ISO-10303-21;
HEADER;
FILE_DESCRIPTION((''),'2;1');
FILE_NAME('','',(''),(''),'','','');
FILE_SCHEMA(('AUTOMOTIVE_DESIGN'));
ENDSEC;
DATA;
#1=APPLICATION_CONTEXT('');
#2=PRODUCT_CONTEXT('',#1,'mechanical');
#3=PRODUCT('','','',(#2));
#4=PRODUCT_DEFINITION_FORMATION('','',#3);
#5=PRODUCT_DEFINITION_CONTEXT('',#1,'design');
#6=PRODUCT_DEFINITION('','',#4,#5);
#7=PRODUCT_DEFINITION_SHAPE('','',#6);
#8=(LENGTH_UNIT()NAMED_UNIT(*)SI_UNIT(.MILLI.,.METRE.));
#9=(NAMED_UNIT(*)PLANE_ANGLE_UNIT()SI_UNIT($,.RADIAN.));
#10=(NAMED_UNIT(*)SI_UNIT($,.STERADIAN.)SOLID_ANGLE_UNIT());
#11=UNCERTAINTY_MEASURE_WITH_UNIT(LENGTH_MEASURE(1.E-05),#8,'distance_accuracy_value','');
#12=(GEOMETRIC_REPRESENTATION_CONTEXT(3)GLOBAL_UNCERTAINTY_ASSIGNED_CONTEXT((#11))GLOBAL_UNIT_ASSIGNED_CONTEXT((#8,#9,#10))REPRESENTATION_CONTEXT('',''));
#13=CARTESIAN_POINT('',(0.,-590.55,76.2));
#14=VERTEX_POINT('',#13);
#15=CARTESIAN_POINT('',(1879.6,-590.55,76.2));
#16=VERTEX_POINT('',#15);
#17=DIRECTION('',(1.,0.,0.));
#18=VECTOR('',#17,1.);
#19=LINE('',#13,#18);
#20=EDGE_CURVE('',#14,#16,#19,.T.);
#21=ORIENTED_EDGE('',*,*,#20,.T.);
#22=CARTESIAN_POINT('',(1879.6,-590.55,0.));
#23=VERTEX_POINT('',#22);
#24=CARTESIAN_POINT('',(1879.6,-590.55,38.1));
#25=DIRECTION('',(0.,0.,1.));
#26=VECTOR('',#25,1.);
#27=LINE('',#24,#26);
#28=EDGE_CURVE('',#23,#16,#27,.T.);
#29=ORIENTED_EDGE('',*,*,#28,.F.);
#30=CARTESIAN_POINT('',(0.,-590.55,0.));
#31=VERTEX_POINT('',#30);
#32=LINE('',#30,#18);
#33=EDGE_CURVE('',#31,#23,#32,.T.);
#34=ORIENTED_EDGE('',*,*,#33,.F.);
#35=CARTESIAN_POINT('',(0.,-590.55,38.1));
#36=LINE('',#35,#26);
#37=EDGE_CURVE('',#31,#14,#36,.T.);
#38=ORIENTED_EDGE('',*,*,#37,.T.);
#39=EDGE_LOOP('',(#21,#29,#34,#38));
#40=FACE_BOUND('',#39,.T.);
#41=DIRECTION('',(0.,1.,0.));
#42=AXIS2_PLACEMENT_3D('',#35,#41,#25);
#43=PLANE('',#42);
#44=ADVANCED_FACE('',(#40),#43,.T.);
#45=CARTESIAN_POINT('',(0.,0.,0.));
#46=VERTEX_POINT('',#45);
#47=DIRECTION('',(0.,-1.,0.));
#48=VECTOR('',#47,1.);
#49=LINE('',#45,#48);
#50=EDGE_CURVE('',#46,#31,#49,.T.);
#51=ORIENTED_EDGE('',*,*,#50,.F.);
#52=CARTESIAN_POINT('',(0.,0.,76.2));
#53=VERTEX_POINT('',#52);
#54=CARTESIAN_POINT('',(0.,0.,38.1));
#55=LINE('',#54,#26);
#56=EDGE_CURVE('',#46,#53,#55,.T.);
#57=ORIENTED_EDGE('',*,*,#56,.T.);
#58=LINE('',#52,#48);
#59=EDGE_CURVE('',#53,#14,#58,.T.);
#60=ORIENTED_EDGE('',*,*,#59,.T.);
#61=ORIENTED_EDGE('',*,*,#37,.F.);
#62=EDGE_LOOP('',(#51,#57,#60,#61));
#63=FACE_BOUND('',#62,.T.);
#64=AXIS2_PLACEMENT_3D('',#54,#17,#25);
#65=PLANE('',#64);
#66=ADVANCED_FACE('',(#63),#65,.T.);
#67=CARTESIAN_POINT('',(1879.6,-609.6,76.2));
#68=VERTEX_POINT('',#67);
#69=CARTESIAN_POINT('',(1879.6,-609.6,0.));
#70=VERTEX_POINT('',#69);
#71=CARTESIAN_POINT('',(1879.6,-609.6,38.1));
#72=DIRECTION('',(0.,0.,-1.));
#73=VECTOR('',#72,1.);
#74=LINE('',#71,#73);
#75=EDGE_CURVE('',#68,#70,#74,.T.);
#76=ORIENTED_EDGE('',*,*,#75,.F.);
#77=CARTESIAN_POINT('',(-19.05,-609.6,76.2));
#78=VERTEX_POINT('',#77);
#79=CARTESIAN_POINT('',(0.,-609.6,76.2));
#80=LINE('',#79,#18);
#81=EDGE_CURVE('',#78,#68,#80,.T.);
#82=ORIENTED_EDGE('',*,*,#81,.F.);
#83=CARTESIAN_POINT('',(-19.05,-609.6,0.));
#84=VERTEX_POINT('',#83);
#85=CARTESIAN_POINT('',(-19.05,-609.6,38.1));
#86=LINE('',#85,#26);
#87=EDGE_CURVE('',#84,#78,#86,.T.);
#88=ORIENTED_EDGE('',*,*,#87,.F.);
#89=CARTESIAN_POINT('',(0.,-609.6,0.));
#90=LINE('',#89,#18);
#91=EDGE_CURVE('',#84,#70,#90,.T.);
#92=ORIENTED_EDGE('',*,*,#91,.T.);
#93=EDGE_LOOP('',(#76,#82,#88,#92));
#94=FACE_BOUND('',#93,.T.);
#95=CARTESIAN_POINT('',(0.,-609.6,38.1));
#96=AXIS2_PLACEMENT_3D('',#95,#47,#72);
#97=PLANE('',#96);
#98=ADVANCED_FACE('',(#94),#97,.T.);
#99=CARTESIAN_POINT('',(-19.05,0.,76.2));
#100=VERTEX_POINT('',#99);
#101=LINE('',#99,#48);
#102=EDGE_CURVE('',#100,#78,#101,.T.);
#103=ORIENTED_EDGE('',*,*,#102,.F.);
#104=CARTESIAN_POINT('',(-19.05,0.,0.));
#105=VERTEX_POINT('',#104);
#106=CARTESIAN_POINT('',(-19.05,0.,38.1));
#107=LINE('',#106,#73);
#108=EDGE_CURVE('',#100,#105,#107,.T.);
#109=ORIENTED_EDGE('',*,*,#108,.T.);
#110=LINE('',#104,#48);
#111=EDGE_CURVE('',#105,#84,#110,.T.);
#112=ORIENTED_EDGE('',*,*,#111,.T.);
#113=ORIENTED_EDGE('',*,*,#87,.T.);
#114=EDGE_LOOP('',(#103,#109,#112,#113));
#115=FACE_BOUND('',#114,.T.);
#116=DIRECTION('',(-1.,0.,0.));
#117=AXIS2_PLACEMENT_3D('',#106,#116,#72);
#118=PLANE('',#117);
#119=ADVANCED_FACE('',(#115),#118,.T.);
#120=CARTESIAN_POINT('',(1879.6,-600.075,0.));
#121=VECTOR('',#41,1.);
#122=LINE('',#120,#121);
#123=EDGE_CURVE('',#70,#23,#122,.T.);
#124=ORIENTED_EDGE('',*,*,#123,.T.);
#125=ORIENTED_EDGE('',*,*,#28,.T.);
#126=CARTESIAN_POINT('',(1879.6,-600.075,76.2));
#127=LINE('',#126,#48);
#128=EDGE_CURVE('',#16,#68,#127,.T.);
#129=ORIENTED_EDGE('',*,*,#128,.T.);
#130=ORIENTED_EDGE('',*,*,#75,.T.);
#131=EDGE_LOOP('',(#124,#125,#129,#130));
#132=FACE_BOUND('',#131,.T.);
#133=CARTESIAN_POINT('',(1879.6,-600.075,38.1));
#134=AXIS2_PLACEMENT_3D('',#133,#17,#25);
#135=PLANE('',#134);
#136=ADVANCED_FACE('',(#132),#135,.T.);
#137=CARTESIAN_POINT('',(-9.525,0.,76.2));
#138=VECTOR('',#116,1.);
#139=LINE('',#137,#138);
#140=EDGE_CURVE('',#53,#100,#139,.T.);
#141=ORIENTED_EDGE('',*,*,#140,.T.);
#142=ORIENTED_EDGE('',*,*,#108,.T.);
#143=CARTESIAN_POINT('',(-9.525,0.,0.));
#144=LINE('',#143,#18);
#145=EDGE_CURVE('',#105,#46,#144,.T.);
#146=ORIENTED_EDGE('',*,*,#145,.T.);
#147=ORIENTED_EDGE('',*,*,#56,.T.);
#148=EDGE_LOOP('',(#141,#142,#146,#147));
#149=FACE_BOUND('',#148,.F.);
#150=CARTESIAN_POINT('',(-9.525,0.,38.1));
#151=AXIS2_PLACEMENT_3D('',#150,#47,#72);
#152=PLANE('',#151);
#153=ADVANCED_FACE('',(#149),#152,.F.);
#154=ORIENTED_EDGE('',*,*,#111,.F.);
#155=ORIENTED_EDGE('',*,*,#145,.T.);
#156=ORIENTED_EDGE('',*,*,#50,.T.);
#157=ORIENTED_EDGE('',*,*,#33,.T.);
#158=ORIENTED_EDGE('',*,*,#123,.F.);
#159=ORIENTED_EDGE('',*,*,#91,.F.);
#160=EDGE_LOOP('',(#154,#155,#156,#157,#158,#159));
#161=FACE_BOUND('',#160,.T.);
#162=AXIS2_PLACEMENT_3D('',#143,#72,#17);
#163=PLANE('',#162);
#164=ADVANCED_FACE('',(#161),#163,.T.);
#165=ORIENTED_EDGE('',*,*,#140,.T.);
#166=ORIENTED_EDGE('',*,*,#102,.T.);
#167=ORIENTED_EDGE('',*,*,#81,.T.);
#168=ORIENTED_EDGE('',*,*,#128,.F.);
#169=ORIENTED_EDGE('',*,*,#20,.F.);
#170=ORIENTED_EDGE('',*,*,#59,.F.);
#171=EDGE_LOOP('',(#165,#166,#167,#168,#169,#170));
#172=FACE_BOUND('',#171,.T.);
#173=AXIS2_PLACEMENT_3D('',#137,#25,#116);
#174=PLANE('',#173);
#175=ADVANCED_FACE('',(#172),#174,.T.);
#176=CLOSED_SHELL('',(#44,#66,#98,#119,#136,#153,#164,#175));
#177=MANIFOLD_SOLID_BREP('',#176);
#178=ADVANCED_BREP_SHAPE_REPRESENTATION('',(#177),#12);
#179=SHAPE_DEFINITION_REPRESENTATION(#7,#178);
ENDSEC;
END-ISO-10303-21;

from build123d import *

# Parameters (mm, degrees)
F1_W = 19.05
F1_H = 76.2


with BuildPart() as f2:
    # F2: sweep along a path in F0
    with BuildLine(Plane.XY) as f2_path:
        Line((0, 0), (0, -590.55))
        Line((0, -590.55), (1879.6, -590.55))
    # F1 (on Front) → F2 (sweep)
    with BuildSketch(Plane.XZ):
        with Locations((-9.525, 38.1)):
            Rectangle(F1_W, F1_H)
    sweep(path=f2_path.line, transition=Transition.RIGHT)


solid = f2.part
